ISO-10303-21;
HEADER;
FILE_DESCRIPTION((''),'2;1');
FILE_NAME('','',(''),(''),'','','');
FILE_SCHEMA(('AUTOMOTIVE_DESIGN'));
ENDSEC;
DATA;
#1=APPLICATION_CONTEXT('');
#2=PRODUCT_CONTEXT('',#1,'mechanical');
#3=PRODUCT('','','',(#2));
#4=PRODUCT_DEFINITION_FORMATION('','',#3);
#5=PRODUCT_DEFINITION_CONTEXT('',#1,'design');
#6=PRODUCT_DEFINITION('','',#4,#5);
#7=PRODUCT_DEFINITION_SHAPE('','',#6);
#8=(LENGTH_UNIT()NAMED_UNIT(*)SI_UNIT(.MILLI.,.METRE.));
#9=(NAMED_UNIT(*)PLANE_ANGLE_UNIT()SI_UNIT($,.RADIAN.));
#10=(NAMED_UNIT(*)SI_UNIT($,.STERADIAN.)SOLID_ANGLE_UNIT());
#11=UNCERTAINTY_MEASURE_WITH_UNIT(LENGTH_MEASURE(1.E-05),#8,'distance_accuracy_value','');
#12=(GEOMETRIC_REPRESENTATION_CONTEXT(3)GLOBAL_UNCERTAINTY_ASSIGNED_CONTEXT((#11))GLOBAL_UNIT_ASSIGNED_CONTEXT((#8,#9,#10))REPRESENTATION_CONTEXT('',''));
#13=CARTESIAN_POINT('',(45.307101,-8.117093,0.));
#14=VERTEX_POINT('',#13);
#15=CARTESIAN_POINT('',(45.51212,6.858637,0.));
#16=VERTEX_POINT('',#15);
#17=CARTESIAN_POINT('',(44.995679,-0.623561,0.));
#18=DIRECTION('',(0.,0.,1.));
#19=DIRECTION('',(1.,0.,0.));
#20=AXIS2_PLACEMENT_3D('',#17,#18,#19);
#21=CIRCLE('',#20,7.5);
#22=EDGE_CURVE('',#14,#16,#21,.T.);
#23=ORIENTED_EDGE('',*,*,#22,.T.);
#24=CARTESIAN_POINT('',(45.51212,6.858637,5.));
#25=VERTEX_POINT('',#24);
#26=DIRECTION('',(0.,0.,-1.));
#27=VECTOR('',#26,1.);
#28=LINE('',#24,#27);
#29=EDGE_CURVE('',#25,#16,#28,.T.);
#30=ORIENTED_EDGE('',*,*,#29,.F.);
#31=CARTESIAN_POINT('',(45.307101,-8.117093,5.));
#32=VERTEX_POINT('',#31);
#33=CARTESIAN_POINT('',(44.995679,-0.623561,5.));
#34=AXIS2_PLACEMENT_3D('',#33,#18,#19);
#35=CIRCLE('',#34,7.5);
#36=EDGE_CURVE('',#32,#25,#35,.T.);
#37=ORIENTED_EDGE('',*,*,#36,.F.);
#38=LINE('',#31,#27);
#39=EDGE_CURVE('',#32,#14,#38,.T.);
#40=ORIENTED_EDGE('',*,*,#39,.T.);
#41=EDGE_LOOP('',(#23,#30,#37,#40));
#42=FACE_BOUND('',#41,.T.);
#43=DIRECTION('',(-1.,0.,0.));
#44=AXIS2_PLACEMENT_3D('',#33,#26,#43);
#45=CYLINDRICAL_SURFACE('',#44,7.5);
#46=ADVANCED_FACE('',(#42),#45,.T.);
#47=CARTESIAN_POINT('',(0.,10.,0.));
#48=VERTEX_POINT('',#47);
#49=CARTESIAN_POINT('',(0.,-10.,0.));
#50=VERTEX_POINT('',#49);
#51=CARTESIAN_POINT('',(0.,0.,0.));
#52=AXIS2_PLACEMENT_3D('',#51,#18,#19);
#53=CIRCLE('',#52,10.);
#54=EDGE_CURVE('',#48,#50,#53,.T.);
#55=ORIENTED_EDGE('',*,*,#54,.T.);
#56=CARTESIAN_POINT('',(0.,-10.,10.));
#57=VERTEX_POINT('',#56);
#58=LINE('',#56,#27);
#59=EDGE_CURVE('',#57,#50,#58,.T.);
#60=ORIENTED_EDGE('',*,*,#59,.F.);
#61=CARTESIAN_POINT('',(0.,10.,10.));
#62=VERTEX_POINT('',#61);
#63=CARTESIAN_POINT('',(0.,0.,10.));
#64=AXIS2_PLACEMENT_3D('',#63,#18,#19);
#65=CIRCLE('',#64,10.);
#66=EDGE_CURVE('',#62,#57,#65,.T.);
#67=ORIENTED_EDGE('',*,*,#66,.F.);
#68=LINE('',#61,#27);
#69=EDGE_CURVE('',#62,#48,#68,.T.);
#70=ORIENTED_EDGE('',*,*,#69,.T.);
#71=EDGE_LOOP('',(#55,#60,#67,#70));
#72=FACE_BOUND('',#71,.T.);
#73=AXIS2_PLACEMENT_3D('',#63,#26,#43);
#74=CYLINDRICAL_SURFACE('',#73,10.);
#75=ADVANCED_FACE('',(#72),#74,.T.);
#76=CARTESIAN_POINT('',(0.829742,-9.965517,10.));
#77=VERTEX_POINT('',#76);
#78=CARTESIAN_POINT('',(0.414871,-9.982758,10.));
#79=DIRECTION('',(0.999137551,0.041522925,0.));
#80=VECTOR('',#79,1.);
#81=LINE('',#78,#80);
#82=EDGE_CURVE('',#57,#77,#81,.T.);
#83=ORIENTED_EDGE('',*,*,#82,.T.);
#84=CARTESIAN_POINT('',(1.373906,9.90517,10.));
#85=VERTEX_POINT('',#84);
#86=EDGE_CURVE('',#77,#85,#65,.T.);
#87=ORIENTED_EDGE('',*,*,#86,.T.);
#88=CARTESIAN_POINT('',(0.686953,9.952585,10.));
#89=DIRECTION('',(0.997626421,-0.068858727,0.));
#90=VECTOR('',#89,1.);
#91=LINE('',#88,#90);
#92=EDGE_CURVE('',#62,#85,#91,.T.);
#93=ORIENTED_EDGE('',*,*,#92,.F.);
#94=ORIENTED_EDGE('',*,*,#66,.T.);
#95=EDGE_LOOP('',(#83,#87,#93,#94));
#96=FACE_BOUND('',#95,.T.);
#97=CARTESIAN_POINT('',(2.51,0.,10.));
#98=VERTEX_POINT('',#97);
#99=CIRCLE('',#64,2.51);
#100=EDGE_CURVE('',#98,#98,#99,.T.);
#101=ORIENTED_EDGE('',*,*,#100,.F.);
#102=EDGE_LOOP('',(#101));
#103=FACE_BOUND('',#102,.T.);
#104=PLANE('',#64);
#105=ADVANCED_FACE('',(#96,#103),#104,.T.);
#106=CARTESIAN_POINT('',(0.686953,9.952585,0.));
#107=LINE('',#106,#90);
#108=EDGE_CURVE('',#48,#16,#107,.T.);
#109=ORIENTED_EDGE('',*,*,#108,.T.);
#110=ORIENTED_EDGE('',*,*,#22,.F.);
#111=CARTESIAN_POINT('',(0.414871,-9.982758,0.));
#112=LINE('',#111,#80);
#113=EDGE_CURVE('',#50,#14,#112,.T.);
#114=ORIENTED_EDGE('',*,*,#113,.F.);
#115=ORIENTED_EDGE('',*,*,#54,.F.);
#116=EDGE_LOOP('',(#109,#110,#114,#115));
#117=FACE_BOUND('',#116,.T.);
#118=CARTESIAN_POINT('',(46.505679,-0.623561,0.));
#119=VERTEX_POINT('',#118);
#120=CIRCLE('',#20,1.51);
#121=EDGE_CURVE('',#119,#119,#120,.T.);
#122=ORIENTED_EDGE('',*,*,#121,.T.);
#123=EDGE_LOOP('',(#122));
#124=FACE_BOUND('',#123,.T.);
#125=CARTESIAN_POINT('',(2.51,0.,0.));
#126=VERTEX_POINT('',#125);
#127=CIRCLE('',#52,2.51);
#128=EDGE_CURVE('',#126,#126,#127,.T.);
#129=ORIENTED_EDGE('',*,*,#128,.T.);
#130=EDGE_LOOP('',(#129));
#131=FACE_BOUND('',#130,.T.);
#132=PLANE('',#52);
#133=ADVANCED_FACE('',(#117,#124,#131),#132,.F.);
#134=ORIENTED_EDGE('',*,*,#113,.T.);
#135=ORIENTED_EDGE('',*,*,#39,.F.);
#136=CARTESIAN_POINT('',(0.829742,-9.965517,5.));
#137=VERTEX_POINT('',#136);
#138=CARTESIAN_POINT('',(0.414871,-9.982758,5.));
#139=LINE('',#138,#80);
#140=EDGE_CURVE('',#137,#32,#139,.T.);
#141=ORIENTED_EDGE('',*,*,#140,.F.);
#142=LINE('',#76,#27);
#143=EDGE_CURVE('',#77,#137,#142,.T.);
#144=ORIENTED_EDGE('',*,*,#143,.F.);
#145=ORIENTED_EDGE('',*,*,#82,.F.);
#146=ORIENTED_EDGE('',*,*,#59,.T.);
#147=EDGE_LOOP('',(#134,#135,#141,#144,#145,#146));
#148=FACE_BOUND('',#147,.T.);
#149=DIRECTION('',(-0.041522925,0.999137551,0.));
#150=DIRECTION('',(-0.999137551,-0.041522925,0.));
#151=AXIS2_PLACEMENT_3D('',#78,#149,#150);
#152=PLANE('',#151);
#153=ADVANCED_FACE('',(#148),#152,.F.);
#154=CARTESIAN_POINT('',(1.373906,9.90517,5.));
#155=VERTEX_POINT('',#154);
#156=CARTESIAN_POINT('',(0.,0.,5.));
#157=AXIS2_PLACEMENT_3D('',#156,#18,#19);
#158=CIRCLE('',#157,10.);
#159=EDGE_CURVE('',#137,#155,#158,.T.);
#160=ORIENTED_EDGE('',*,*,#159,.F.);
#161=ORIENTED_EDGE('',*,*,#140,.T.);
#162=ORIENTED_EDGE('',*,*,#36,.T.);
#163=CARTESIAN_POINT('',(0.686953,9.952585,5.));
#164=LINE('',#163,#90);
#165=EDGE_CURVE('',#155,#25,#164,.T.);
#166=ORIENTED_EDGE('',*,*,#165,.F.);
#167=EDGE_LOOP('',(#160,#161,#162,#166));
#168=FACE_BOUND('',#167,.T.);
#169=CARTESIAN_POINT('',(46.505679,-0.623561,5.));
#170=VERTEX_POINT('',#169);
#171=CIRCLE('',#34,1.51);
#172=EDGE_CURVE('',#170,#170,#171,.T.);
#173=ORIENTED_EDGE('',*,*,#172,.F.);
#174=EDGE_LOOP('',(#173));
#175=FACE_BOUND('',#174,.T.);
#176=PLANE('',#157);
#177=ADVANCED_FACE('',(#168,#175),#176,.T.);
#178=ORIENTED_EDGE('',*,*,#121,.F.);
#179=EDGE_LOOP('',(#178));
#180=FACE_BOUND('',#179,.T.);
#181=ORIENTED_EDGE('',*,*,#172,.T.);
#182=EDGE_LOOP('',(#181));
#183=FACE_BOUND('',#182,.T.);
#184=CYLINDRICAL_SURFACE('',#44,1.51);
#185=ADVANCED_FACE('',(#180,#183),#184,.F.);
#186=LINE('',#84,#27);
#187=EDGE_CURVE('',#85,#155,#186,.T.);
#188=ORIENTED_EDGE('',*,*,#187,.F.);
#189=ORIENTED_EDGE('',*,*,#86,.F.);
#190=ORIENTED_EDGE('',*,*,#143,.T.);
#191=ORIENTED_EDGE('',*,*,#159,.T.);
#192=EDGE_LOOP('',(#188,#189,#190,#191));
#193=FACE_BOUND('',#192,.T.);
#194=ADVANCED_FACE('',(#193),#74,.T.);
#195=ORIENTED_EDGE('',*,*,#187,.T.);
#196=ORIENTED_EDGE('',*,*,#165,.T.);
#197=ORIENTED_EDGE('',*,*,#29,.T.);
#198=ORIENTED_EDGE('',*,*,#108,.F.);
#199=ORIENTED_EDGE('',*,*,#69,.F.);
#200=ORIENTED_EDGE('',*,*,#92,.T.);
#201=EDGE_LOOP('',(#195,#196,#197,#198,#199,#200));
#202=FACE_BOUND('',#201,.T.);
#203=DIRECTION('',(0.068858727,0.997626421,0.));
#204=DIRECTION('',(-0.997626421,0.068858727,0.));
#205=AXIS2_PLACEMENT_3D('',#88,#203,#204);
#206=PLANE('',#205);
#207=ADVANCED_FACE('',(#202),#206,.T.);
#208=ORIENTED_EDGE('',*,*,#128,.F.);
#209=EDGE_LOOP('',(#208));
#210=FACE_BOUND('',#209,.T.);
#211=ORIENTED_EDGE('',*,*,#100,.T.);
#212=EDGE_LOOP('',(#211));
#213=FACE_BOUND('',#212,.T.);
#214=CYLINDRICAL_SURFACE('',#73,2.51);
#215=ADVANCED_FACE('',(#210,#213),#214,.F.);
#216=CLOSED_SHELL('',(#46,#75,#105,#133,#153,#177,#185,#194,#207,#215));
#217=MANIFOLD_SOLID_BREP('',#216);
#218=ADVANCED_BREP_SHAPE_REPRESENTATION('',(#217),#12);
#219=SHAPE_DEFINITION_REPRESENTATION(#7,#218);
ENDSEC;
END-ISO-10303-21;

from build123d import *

# Parameters (mm, degrees)
SKETCH1_R           = 2.51
BOSS_EXTRUDE1_DEPTH = 10
SKETCH1_3_R         = 1.51
BOSS_EXTRUDE2_DEPTH = 5


with BuildPart() as part:
    # Sketch1 → Boss-Extrude1 (new body)
    with BuildSketch(Plane.XY):
        with BuildLine():
            Line((1.373905706, 9.905169514), (0, 10))
            ThreePointArc((0, 10), (-10, 0), (0, -10))
            Line((0, -10), (0.829742277, -9.965516934))
            ThreePointArc((0.829742277, -9.965516934), (7.3585808, -6.771357959), (10, 0))
            ThreePointArc((10, 0), (7.541188801, 6.567379346), (1.373905706, 9.905169514))
        make_face()
        Circle(SKETCH1_R, mode=Mode.SUBTRACT)
    extrude(amount=BOSS_EXTRUDE1_DEPTH)

    # Sketch1<3> → Boss-Extrude2 (add)
    with BuildSketch(Plane.XY):
        with BuildLine():
            Line((45.512119929, 6.858637088), (1.373905706, 9.905169514))
            ThreePointArc((1.373905706, 9.905169514), (9.996252352, -0.273749725), (0.829742277, -9.965516934))
            Line((0.829742277, -9.965516934), (45.307101416, -8.117092704))
            ThreePointArc((45.307101416, -8.117092704), (52.49497676, -0.726226835), (45.512119929, 6.858637088))
        make_face()
        with Locations((44.995679477, -0.623561069)):
            Circle(SKETCH1_3_R, mode=Mode.SUBTRACT)
    extrude(amount=BOSS_EXTRUDE2_DEPTH)


solid = part.part
